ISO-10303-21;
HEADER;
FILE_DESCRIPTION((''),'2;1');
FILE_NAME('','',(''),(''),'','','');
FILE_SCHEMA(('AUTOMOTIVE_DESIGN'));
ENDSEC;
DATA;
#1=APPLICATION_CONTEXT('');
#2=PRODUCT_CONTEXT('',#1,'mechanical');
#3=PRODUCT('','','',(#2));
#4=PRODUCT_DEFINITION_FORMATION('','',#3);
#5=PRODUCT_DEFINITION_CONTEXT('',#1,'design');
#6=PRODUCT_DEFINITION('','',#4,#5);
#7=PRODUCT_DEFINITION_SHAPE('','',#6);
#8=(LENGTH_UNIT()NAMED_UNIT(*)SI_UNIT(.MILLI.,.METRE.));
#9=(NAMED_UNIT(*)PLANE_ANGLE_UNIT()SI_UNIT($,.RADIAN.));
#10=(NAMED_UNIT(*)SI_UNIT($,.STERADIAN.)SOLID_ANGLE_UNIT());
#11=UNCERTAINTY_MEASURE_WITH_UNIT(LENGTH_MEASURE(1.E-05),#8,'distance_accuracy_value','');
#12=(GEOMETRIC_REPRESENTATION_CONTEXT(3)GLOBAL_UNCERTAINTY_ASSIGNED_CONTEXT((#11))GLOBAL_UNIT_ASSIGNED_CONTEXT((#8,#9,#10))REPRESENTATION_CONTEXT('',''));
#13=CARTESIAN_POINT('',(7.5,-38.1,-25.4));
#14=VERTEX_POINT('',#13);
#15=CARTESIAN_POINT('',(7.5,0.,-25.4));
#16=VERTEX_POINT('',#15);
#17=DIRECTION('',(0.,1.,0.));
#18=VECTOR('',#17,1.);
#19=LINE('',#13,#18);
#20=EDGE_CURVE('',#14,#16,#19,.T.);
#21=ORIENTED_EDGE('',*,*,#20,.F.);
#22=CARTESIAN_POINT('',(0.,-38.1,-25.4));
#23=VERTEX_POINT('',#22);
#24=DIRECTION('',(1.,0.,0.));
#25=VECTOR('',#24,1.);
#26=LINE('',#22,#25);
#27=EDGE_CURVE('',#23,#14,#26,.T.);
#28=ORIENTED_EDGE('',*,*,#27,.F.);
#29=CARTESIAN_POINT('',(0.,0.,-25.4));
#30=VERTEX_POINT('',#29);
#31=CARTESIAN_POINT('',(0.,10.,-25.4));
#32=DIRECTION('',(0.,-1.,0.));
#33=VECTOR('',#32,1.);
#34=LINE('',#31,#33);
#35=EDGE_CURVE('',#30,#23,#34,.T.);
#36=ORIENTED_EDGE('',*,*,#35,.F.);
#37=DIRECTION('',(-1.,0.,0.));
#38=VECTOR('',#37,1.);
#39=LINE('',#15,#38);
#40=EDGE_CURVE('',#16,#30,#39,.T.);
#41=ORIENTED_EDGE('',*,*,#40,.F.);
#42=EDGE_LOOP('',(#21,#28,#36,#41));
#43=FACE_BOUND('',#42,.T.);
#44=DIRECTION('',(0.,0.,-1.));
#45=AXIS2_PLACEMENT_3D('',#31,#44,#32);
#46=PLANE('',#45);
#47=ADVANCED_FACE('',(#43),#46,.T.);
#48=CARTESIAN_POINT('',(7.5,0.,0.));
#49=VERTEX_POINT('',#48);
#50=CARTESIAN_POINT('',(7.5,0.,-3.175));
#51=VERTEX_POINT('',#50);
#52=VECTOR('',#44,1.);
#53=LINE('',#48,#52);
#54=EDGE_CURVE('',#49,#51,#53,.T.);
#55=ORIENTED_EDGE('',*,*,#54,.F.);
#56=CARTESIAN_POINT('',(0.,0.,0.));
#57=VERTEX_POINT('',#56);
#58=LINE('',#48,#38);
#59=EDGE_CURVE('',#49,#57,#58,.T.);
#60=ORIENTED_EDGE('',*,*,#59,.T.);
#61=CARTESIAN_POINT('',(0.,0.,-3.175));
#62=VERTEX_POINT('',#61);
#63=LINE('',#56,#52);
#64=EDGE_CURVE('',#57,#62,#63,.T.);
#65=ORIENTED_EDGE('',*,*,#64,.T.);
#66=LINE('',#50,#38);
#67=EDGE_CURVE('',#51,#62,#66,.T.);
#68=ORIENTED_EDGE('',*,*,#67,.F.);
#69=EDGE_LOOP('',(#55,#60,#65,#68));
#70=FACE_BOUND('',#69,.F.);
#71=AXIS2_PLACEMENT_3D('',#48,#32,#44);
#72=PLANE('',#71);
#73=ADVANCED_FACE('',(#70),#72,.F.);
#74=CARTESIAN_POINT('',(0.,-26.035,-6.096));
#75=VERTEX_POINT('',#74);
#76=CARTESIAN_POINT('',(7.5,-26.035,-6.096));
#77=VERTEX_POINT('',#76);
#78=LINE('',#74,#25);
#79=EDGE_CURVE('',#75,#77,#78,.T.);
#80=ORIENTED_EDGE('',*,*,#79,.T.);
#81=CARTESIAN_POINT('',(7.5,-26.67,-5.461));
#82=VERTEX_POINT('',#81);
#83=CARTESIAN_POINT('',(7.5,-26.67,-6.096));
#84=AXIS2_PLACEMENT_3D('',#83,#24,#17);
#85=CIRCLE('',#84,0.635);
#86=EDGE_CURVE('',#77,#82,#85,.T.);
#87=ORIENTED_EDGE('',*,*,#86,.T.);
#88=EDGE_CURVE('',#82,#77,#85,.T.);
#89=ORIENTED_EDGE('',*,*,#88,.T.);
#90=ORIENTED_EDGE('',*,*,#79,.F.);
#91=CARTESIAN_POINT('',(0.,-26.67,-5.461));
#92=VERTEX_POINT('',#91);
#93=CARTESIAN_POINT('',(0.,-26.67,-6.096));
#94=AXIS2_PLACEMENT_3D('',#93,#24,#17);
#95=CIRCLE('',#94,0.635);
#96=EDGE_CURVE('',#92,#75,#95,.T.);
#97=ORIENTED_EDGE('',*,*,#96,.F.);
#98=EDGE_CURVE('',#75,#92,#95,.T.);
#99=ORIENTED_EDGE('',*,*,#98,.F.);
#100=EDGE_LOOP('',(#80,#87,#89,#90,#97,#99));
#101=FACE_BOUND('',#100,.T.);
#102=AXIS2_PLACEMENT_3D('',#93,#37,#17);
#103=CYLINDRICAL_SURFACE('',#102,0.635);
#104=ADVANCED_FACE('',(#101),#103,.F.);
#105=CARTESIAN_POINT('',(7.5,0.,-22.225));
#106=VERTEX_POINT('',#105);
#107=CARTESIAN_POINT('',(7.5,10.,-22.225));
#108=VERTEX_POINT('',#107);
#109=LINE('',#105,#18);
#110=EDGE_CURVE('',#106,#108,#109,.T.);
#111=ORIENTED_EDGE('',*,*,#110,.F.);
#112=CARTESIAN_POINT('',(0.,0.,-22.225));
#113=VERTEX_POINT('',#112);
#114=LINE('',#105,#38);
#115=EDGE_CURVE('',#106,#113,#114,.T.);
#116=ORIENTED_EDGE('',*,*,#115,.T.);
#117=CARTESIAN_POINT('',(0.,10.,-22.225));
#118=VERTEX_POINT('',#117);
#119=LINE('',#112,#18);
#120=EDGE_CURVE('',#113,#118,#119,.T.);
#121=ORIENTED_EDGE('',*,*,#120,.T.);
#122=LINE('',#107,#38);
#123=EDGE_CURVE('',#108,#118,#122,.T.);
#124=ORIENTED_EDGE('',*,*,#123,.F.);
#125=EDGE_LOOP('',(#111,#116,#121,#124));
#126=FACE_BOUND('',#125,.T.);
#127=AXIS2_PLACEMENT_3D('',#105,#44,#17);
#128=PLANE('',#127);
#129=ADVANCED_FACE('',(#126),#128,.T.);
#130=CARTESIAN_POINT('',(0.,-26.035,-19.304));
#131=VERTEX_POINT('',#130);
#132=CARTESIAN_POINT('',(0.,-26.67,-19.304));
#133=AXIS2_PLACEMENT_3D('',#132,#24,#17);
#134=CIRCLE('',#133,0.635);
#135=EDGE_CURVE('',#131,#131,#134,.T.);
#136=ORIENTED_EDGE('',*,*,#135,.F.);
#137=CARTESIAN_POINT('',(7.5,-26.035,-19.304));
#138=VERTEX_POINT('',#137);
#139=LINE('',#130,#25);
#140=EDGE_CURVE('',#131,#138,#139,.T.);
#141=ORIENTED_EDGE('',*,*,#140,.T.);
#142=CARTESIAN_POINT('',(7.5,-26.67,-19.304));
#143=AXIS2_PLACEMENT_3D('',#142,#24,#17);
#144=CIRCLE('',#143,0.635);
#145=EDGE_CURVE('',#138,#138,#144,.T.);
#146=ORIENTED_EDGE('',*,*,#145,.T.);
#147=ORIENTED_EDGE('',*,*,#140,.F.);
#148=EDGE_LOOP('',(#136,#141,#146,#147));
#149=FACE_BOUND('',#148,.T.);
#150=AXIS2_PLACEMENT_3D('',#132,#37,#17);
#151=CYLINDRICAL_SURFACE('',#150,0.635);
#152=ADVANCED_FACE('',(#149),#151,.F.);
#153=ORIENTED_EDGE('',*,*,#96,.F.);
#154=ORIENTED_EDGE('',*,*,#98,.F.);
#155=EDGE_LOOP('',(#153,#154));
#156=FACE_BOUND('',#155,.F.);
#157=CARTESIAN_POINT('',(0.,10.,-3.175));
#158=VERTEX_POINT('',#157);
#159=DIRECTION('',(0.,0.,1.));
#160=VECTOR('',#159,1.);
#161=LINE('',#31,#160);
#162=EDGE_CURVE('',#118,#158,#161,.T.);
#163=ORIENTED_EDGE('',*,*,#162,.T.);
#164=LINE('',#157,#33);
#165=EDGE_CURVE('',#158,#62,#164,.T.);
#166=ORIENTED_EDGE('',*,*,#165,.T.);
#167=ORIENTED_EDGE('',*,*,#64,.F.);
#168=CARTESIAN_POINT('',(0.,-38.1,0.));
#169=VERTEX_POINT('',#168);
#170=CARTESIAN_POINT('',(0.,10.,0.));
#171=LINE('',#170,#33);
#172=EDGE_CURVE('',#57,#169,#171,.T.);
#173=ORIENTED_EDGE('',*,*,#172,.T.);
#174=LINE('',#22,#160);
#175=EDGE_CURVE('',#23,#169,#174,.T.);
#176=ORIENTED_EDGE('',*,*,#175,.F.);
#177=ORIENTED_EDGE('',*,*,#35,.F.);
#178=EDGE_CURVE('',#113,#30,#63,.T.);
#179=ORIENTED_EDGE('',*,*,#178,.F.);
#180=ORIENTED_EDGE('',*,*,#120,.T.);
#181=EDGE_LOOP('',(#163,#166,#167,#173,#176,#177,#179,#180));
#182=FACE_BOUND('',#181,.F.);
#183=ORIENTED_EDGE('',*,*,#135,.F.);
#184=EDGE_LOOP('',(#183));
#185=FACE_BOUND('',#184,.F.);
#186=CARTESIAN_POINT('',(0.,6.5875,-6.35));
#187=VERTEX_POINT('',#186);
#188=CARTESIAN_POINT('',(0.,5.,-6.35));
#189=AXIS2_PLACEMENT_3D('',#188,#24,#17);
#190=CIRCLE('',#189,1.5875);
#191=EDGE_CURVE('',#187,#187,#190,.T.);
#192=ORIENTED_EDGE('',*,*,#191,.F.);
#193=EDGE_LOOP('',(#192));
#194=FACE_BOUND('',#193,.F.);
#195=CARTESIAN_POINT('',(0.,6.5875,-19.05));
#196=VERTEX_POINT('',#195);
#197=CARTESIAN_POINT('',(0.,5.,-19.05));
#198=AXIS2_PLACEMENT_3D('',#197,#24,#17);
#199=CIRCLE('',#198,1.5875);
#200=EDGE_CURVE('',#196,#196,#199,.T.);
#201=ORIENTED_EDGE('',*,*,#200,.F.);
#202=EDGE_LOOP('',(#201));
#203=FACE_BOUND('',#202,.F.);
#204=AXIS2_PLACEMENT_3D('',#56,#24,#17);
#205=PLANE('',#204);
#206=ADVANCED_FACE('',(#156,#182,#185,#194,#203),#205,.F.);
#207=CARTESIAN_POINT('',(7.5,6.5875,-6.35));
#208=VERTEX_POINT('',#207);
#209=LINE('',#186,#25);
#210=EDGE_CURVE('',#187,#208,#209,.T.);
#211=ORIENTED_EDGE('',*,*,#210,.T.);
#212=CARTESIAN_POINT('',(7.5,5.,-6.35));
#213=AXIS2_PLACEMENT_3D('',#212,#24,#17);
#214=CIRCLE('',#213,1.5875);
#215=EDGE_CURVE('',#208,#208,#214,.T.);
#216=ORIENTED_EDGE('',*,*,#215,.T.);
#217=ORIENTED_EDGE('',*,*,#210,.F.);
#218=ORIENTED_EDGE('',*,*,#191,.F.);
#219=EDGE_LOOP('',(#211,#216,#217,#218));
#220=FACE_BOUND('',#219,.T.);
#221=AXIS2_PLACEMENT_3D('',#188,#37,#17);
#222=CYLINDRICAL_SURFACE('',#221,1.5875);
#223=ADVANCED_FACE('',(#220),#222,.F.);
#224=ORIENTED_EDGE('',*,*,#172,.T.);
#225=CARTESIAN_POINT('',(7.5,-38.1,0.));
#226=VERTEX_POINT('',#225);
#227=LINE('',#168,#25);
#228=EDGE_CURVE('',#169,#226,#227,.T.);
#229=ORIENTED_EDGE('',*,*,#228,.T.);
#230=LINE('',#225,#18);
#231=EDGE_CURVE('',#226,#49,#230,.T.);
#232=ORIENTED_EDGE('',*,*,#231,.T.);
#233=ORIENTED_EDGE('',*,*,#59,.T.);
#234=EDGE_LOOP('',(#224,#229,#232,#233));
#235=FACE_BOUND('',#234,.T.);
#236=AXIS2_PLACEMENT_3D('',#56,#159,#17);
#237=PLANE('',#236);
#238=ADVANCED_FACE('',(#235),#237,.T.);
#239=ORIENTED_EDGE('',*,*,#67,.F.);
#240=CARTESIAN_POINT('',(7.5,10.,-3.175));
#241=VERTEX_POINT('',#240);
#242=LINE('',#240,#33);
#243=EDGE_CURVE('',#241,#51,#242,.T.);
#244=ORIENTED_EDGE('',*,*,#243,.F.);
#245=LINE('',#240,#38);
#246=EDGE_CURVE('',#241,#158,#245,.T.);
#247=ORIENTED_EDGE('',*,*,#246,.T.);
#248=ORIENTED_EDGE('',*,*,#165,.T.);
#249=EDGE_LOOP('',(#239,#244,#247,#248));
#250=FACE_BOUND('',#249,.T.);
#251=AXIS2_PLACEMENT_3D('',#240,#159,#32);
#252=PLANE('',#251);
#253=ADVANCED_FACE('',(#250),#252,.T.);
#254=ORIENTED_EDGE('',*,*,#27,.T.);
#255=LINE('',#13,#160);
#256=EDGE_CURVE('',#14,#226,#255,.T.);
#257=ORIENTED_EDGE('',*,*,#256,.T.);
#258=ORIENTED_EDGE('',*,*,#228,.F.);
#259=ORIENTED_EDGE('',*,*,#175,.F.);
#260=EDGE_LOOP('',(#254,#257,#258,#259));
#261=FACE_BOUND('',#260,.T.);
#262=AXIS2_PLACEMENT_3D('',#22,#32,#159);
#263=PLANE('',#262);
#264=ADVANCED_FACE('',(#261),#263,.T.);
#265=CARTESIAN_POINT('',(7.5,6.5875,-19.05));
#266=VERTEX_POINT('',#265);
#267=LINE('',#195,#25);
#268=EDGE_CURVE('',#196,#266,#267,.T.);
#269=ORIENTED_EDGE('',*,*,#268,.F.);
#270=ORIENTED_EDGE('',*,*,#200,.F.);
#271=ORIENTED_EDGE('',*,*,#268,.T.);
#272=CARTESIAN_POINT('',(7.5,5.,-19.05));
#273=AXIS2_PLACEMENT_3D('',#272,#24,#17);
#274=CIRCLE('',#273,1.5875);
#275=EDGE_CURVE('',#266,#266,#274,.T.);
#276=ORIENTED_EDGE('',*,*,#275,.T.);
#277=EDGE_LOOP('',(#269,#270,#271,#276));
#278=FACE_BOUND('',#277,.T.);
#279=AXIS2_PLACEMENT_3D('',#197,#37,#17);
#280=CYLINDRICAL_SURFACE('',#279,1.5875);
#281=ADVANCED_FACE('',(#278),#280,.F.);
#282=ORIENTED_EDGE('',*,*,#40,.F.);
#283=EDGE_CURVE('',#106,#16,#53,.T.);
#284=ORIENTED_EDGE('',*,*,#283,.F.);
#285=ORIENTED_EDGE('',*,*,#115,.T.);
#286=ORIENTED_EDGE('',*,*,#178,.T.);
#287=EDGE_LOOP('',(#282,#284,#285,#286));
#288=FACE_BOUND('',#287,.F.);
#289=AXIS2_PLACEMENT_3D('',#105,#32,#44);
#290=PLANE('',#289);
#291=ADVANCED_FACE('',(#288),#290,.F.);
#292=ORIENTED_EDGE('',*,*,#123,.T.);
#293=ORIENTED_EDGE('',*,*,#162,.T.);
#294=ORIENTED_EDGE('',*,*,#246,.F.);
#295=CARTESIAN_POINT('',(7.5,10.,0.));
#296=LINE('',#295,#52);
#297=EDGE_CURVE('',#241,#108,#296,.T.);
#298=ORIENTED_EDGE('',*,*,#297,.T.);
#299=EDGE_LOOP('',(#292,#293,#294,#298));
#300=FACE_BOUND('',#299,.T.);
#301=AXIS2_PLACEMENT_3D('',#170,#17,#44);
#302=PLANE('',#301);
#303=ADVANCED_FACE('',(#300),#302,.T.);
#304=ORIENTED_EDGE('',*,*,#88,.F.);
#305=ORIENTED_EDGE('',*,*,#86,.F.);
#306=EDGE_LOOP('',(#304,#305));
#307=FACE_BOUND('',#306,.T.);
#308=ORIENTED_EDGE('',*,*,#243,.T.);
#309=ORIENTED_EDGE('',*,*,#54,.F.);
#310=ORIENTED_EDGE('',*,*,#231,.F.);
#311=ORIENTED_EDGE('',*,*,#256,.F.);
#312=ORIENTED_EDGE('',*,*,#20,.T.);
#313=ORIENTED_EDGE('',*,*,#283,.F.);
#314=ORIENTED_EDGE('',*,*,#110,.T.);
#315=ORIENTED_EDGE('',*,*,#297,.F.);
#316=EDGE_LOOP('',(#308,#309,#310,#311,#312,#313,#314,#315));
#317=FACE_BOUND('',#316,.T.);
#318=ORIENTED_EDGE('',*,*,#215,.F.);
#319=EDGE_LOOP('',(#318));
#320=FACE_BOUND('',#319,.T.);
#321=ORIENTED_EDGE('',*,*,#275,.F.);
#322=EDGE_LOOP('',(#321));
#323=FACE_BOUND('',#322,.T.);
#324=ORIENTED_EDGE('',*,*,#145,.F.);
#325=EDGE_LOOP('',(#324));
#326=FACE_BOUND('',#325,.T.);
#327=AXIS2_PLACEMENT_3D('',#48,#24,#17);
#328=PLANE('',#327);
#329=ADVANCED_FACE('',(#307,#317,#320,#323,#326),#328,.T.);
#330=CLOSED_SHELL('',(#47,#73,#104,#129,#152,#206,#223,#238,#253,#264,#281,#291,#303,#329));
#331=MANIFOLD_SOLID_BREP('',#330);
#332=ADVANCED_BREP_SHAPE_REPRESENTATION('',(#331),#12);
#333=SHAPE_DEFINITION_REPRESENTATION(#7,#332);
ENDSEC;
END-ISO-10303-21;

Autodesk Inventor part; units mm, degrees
ref_plane "YZ Plane" through (0, 0, 0) normal (1, 0, 0) x (0, 1, 0)
ref_plane "XZ Plane" through (0, 0, 0) normal (0, 1, 0) x (-1, 0, 0)
ref_plane "XY Plane" through (0, 0, 0) normal (0, 0, 1) x (1, 0, 0)
sketch "Sketch1" plane through (0, 0, 0) normal (1, 0, 0) x (0, 1, 0)
  line L0 (0, 0) -> (10, 0)
  line L1 (10, 0) -> (10, -25.4)
  line L2 (10, -25.4) -> (0, -25.4)
  line L3 (0, -25.4) -> (0, 0)
  line L4 (5, 0) -> (5, -25.4) construction
  line L5 (10, 0) -> (0, 0)
  line L6 (0, 0) -> (0, -6.35)
  line L7 (0, -6.35) -> (10, -6.35) construction
  line L8 (10, -6.35) -> (10, 0)
  line L9 (10, -25.4) -> (0, -25.4)
  line L10 (0, -25.4) -> (0, -19.05)
  line L11 (0, -19.05) -> (10, -19.05) construction
  line L12 (10, -19.05) -> (10, -25.4)
  circle A0 centre (5, -6.35) radius 1.5875
  circle A1 centre (5, -19.05) radius 1.5875
  line L13 (0, -12.7) -> (-19.05, -12.7)
  line L14 (-9.652, -21.59) -> (-28.448, -21.59)
  line L15 (-28.448, -21.59) -> (-28.448, -3.81)
  line L16 (-28.448, -3.81) -> (-9.652, -3.81)
  line L17 (-9.652, -3.81) -> (-9.652, -21.59)
  line L18 (-9.652, -21.59) -> (-28.448, -3.81) construction
  line L19 (-28.448, -21.59) -> (-9.652, -3.81) construction
  line L20 (-28.448, -3.81) -> (-26.67, -3.81)
  line L21 (-26.67, -3.81) -> (-26.67, -6.096)
  circle A2 centre (-26.67, -6.096) radius 0.635
  circle A3 centre (-26.67, -19.304) radius 0.635
  line L22 (-38.1, 0) -> (0, 0)
  line L23 (0, 0) -> (0, -25.4)
  line L24 (0, -25.4) -> (-38.1, -25.4)
  line L25 (-38.1, -25.4) -> (-38.1, 0)
  line L26 (-38.1, 0) -> (0, -25.4) construction
  line L27 (0, 0) -> (-38.1, -25.4) construction
  dimension "d0" = 10
  dimension "d1" = 25.4
  dimension "d2" = 6.35
  dimension "d3" = 6.35
  dimension "d4" = 3.175
  dimension "d5" = 3.175
  dimension "d6" = 19.05
  dimension "d7" = 18.796
  dimension "d8" = 17.78
  dimension "d9" = 1.778
  dimension "d10" = 2.286
  dimension "d11" = 1.27
extrude "Extrusion1" add sketch "Sketch1" along normal blind 7.5 contours L0 L1 L2 L3 | L17 L14 L15 L16 | L3 L24 L25 L22
sketch "Sketch2" plane through (7.5, 0, 0) normal (1, 0, 0) x (0, 0, -1)
  circle A0 centre (19.304, -26.67) radius 0.635 projected
  circle A1 centre (6.096, -26.67) radius 0.635 projected
  circle A2 centre (19.05, 5) radius 1.5875 projected
  circle A3 centre (6.35, 5) radius 1.5875 projected
  line L0 (25.4, -38.1) -> (25.4, 10) projected
  line L1 (25.4, 10) -> (0, 10) projected
  line L2 (0, 10) -> (0, -38.1) projected
  line L3 (0, -38.1) -> (25.4, -38.1) projected
  line L4 (25.4, 10) -> (0, 10) projected
  line L5 (3.175, 0) -> (22.225, 0)
  line L6 (22.225, 0) -> (22.225, 10)
  line L7 (22.225, 10) -> (3.175, 10)
  line L8 (3.175, 10) -> (3.175, 0)
  line L9 (3.175, 0) -> (22.225, 10) construction
  line L10 (22.225, 0) -> (3.175, 10) construction
  line L11 (25.4, -38.1) -> (25.4, 10) projected
  line L12 (0, 0) -> (25.4, 0)
  line L13 (25.4, 0) -> (25.4, 10)
  line L14 (25.4, 10) -> (0, 10)
  line L15 (0, 10) -> (0, 0)
  line L16 (0, 0) -> (25.4, 10) construction
  line L17 (25.4, 0) -> (0, 10) construction
  point P0 (12.7, 5)
  dimension "d14" = 19.05
extrude "Extrusion2" cut sketch "Sketch2" against normal blind 7.5 contours L12 L6 L1 L0 | L2 L1 L8 L12
properties part number "magMount" material "Polyethylene, High Density"
